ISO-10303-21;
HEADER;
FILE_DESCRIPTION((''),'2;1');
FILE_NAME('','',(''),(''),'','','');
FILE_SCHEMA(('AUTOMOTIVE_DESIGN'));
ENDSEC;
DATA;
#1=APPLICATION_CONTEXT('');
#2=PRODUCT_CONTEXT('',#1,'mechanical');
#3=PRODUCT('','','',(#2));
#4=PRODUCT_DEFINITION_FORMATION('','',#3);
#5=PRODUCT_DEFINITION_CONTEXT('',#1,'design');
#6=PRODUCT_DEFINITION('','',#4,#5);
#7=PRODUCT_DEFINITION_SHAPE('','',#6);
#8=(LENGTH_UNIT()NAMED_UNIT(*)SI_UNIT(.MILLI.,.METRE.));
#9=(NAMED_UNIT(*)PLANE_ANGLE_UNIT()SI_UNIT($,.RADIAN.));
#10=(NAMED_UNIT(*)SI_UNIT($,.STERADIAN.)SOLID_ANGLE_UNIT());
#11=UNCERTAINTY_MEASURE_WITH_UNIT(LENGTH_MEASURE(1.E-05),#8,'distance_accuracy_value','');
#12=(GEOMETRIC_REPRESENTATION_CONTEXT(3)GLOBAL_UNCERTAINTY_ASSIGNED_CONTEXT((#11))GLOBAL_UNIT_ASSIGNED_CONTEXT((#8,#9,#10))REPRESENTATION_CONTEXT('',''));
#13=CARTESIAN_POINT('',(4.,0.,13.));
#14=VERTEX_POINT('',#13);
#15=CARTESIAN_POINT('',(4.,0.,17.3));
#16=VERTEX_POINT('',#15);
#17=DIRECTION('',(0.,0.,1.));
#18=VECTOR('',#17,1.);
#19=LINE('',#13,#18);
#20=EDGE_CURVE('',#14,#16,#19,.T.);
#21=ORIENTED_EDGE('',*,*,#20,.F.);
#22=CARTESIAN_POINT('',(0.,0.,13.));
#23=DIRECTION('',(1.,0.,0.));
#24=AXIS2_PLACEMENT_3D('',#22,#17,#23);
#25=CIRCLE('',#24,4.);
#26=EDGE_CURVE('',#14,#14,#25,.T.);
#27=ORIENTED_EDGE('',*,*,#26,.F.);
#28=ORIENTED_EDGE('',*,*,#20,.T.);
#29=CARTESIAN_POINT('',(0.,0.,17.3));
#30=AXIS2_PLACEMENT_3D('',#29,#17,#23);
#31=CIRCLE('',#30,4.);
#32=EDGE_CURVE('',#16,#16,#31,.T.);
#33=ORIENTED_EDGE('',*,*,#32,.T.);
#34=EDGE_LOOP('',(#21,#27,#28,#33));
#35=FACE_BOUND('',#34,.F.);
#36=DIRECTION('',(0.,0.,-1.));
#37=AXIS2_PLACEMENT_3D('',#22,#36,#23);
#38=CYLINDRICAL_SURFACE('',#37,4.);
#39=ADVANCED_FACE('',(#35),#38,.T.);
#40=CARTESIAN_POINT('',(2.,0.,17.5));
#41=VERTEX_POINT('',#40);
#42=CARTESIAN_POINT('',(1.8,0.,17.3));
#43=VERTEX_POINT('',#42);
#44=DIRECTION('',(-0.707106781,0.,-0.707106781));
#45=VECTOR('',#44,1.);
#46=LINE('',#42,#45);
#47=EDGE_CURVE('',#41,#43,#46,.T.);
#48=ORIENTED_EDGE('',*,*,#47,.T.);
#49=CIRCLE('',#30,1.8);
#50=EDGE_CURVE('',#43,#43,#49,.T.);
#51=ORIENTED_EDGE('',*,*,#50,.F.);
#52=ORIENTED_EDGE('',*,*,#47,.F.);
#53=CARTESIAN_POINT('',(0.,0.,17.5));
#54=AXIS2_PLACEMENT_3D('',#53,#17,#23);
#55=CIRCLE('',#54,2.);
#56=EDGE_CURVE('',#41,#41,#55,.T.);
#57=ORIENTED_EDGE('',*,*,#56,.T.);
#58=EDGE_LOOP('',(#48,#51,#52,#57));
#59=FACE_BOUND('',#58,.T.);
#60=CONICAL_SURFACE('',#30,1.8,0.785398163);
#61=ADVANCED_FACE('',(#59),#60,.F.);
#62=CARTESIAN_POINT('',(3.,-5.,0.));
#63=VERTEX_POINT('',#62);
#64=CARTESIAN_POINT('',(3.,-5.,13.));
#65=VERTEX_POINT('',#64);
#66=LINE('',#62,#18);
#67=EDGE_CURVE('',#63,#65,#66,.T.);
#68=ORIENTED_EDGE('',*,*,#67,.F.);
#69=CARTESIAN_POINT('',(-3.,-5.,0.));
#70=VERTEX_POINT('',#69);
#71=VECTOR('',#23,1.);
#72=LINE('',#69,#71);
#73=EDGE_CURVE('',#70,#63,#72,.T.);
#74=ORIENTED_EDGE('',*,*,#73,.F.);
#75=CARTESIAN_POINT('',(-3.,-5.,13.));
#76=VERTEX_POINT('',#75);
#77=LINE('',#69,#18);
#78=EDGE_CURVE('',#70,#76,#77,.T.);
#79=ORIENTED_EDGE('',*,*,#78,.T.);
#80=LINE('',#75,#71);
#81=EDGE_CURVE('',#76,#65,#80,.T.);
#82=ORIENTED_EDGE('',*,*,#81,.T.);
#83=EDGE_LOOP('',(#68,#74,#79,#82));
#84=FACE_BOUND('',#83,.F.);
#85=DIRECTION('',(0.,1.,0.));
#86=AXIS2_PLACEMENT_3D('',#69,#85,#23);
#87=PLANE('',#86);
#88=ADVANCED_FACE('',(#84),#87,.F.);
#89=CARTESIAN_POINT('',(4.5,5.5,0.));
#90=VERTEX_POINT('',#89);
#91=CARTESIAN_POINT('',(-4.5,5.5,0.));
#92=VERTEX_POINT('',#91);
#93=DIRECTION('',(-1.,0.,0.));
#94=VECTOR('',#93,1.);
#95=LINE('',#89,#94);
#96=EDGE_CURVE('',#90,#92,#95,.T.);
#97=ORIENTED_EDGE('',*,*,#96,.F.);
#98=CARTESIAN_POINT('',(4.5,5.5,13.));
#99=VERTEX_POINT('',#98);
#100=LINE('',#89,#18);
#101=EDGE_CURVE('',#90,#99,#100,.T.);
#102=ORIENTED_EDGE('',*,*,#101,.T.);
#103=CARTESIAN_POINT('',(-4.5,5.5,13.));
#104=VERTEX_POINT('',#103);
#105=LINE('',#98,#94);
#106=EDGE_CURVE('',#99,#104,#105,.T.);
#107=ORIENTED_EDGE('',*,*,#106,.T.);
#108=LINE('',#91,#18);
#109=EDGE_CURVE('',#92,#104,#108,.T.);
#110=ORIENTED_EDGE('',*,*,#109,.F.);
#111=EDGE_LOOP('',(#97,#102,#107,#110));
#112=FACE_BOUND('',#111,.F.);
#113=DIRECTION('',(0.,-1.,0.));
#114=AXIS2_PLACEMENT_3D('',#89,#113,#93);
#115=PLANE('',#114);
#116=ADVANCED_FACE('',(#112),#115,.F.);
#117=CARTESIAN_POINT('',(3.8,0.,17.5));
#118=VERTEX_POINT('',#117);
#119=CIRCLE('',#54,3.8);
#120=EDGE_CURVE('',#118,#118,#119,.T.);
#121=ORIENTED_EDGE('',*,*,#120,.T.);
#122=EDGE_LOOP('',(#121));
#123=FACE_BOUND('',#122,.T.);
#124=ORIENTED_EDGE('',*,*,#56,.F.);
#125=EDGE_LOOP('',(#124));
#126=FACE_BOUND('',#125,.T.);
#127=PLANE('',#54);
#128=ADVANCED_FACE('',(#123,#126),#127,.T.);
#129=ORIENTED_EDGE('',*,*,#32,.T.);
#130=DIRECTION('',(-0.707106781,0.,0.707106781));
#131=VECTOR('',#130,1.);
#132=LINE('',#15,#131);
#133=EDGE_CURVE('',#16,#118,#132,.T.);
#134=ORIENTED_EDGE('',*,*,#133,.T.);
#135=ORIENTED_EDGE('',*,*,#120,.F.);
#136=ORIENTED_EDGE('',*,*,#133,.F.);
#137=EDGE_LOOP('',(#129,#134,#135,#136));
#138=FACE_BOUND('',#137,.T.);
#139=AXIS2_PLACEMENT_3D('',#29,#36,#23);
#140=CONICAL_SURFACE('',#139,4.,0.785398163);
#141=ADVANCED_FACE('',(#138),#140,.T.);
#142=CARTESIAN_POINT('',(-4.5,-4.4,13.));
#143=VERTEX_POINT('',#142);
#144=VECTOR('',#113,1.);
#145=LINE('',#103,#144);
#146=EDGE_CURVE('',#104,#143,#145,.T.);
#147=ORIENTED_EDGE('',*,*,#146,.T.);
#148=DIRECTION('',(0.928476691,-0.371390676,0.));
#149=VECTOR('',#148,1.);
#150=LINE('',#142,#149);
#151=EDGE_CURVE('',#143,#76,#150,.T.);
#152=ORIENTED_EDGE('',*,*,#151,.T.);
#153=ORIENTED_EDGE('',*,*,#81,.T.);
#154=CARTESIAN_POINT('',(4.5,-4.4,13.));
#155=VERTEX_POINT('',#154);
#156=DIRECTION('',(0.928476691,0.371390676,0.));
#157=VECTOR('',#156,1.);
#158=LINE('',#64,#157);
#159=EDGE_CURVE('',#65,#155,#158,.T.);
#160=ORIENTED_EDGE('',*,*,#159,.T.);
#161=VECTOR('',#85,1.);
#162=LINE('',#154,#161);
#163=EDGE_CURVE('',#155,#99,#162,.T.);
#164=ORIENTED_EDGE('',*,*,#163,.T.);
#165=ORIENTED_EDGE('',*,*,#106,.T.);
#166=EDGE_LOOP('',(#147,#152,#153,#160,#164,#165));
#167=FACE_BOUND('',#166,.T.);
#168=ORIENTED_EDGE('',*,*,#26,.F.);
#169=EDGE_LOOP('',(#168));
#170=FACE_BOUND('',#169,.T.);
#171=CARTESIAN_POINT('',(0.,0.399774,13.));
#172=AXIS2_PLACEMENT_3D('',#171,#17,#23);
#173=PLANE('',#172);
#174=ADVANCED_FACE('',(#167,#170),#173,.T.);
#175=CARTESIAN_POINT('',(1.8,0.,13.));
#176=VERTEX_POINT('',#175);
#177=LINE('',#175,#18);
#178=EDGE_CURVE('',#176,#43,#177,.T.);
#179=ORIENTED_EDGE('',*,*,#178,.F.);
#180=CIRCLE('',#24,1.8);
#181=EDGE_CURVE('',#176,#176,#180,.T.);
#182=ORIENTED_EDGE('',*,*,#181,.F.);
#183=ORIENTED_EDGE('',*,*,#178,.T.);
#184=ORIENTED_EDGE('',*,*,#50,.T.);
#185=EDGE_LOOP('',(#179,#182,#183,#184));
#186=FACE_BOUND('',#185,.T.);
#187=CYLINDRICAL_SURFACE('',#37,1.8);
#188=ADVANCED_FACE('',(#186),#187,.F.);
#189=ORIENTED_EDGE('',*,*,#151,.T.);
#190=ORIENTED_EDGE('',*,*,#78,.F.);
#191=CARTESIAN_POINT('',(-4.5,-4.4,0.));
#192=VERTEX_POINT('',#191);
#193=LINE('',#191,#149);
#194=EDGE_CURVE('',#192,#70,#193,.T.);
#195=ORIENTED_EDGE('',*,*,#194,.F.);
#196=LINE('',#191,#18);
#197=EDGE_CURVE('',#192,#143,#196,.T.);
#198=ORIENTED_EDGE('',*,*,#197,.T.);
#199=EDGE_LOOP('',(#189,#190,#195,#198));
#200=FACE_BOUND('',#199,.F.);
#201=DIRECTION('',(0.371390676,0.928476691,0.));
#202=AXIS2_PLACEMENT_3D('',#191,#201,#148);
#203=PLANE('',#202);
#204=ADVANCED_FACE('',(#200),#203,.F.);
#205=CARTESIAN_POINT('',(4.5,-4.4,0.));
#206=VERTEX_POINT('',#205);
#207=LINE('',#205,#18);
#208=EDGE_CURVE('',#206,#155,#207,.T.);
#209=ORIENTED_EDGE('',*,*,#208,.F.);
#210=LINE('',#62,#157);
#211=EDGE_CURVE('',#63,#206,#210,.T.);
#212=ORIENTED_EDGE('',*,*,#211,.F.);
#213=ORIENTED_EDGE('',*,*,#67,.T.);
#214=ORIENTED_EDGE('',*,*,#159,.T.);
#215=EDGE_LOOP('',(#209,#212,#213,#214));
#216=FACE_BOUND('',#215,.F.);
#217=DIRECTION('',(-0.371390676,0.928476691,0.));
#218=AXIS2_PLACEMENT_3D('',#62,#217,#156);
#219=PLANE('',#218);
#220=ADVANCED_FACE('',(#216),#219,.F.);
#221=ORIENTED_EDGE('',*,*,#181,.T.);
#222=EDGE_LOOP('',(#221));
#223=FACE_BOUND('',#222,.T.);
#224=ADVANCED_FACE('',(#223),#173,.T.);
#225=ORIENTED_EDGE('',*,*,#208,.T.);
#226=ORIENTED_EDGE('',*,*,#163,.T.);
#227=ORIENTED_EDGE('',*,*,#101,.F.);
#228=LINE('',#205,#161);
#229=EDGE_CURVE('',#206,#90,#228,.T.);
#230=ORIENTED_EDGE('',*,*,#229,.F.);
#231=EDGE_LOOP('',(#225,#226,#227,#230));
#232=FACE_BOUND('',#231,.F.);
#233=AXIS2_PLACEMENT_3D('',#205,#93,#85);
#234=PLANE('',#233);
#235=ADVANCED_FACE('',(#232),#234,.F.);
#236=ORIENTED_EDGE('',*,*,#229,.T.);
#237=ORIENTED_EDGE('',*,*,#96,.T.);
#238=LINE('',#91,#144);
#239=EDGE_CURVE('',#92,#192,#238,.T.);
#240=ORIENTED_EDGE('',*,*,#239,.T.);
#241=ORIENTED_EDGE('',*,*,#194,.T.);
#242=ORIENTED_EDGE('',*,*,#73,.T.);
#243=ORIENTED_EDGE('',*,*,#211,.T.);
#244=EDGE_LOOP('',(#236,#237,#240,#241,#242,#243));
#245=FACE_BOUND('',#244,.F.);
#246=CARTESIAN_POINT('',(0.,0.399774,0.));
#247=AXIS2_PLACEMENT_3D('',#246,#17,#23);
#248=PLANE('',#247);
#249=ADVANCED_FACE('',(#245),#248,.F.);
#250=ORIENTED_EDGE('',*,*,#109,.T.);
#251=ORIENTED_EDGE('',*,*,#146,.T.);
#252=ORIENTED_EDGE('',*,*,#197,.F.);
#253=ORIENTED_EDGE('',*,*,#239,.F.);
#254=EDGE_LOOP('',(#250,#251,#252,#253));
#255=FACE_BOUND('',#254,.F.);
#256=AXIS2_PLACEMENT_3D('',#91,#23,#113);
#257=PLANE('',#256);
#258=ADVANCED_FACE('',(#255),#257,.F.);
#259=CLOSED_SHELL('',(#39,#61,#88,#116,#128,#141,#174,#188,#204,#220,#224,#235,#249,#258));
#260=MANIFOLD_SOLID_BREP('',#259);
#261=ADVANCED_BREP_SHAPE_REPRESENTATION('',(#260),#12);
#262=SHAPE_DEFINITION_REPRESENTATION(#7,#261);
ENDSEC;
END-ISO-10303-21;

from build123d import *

# Parameters (mm, degrees)
F1_DEPTH = 13
F2_R     = 4
F2_R_2   = 1.8
F3_DEPTH = 4.5
F4_SIZE  = 0.2


with BuildPart() as f1:
    # F0 (on Top) → F1 (new body)
    with BuildSketch(Plane.XY):
        Polygon((4.5, 5.5), (0, 5.5), (-4.5, 5.5), (-4.5, -4.4), (-3, -5), (0, -5), (3, -5), (4.5, -4.4), align=None)
    extrude(amount=F1_DEPTH)

    # F2 (on face) → F3 (join)
    with BuildSketch(Plane.XY.offset(13)):
        Circle(F2_R)
        Circle(F2_R_2, mode=Mode.SUBTRACT)
    extrude(amount=F3_DEPTH)

    # F4
    f4_edges = [f1.edges().sort_by_distance(p)[0] for p in [
        (-4, 0, 17.5),
        (-1.8, 0, 17.5),
    ]]
    chamfer(f4_edges, length=F4_SIZE)


solid = f1.part
